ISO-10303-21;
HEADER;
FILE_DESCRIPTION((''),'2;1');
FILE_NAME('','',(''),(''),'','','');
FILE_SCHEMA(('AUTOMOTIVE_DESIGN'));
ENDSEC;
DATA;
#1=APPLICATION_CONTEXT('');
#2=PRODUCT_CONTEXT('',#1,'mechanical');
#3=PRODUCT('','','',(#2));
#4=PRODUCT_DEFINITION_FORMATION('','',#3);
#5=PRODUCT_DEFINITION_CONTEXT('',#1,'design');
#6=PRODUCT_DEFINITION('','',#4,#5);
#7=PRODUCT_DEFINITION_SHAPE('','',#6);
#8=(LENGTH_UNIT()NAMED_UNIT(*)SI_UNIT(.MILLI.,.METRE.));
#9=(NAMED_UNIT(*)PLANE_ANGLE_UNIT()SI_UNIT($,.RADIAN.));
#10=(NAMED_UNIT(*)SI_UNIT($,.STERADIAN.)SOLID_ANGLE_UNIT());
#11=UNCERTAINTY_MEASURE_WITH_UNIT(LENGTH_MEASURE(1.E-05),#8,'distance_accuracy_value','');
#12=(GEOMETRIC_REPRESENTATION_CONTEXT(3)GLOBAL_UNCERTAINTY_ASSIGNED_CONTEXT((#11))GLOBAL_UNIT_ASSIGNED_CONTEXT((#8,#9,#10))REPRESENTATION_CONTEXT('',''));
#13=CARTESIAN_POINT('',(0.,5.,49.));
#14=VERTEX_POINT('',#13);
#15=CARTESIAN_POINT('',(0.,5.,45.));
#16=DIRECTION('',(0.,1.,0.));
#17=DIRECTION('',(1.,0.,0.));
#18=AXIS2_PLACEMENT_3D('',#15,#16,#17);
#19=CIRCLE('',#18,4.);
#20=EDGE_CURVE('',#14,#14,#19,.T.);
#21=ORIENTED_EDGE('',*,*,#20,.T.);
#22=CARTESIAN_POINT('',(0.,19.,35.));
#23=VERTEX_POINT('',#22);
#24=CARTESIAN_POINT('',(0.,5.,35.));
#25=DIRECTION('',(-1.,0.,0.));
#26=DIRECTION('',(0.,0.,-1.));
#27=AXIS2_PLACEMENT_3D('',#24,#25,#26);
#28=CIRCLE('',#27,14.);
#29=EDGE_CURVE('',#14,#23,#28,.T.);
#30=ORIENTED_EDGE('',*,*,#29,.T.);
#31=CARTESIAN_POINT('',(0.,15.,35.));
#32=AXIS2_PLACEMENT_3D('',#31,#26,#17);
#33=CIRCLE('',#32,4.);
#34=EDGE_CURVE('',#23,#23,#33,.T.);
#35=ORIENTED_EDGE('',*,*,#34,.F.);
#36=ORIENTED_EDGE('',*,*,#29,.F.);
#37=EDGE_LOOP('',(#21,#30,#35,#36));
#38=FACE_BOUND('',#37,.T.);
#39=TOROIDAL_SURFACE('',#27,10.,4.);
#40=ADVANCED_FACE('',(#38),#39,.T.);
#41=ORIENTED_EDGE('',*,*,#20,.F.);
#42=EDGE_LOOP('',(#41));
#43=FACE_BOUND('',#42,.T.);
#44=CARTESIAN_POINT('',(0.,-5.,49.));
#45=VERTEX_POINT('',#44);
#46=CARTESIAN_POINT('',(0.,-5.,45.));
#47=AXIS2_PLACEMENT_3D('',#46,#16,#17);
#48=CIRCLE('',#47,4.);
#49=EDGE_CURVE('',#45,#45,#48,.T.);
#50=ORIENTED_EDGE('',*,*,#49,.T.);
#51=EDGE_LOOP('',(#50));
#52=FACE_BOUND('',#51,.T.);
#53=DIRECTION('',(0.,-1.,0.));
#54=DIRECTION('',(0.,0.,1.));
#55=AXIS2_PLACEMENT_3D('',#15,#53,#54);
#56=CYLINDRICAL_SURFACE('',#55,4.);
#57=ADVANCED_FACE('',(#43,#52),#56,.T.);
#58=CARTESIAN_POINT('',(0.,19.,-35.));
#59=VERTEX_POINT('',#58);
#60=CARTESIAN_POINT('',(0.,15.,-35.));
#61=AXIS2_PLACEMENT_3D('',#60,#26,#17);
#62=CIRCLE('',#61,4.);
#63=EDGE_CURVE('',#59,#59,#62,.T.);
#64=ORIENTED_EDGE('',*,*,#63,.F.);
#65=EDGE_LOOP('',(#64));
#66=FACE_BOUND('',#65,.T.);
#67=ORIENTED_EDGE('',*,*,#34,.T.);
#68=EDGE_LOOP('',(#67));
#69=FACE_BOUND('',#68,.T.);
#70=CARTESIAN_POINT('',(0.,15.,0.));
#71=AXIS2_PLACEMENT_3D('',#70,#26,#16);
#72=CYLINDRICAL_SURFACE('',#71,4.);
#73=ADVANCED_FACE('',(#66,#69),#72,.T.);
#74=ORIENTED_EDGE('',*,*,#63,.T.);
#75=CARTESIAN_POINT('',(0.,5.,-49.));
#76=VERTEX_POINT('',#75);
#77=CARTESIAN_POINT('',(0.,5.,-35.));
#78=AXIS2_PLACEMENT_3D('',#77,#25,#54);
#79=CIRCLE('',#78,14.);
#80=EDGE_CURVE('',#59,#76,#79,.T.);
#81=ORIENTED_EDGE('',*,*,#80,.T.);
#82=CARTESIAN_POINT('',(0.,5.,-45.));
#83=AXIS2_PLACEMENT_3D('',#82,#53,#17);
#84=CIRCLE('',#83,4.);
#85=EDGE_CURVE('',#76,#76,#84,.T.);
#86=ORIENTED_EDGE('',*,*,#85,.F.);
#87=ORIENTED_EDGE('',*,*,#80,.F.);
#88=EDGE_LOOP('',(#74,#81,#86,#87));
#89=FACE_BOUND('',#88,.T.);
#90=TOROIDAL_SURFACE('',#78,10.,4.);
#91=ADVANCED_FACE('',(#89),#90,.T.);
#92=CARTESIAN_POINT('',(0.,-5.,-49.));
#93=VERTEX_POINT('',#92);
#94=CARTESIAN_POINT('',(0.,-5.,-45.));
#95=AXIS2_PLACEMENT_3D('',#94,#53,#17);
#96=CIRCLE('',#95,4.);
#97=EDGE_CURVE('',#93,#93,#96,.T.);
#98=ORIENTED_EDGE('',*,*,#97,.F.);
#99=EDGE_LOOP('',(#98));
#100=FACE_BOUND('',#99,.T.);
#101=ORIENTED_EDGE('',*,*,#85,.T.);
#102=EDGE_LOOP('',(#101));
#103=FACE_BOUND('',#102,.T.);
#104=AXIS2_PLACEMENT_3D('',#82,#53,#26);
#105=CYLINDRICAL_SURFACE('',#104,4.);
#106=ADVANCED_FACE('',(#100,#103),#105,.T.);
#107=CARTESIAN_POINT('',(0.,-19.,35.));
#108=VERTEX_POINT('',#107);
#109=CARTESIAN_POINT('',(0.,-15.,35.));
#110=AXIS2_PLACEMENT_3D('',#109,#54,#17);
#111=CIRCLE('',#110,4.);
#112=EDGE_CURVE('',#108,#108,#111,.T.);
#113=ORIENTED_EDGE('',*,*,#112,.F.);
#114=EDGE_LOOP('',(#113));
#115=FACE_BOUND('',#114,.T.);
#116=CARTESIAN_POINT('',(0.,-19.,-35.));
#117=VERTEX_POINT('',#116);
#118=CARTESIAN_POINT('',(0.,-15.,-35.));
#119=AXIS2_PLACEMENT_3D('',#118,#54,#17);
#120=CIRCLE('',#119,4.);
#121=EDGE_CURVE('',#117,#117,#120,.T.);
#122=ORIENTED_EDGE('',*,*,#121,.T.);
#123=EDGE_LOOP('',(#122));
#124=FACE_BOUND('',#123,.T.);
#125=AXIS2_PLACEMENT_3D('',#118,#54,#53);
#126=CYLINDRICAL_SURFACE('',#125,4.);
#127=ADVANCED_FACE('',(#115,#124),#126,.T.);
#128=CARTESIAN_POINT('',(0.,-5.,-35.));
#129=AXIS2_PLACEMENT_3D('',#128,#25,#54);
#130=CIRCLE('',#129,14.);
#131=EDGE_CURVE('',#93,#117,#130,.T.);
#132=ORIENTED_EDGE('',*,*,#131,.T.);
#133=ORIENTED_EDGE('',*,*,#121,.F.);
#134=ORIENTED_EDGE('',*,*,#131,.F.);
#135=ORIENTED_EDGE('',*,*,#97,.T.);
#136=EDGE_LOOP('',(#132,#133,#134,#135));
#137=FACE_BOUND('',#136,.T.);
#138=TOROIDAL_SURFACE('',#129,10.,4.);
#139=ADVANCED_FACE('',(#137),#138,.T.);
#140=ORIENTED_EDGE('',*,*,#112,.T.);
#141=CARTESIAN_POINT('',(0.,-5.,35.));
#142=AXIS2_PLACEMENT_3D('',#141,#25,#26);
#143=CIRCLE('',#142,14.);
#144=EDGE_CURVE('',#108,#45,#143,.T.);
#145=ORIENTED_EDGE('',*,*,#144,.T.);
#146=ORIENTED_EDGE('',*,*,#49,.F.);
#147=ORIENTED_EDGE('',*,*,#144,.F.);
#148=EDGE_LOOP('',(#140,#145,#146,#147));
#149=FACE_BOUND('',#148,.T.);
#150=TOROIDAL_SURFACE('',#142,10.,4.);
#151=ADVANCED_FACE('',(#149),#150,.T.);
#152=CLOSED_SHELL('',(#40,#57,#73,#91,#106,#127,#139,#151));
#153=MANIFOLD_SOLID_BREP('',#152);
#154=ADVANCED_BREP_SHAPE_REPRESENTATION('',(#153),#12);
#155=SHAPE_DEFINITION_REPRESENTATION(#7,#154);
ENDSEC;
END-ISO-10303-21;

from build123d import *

# Parameters (mm, degrees)
SKETCH_2_R = 4


with BuildPart() as part:
    # По траектории1: sweep along a path in Эскиз1
    with BuildLine(Plane(origin=(0, 0, 0), x_dir=(0, 0, -1), z_dir=(1, 0, 0))) as sweep_1_path:
        Line((0, -15), (35, -15))
        ThreePointArc((35, -15), (42.071067812, -12.071067812), (45, -5))
        Line((45, -5), (45, 5))
        ThreePointArc((45, 5), (42.071067812, 12.071067812), (35, 15))
        Line((35, 15), (0, 15))
    # Эскиз2 → По траектории1 (sweep)
    with BuildSketch(Plane.XY):
        with Locations((0, -15)):
            Circle(SKETCH_2_R)
    sweep(path=sweep_1_path.line)

    # Зеркальное отражение1: part across face


with BuildPart() as part_1:
    add(part.part)
    add(part.part.mirror(Plane(origin=(0, 15, 0), x_dir=(1, 0, 0), z_dir=(0, 0, 1))))


solid = part_1.part
